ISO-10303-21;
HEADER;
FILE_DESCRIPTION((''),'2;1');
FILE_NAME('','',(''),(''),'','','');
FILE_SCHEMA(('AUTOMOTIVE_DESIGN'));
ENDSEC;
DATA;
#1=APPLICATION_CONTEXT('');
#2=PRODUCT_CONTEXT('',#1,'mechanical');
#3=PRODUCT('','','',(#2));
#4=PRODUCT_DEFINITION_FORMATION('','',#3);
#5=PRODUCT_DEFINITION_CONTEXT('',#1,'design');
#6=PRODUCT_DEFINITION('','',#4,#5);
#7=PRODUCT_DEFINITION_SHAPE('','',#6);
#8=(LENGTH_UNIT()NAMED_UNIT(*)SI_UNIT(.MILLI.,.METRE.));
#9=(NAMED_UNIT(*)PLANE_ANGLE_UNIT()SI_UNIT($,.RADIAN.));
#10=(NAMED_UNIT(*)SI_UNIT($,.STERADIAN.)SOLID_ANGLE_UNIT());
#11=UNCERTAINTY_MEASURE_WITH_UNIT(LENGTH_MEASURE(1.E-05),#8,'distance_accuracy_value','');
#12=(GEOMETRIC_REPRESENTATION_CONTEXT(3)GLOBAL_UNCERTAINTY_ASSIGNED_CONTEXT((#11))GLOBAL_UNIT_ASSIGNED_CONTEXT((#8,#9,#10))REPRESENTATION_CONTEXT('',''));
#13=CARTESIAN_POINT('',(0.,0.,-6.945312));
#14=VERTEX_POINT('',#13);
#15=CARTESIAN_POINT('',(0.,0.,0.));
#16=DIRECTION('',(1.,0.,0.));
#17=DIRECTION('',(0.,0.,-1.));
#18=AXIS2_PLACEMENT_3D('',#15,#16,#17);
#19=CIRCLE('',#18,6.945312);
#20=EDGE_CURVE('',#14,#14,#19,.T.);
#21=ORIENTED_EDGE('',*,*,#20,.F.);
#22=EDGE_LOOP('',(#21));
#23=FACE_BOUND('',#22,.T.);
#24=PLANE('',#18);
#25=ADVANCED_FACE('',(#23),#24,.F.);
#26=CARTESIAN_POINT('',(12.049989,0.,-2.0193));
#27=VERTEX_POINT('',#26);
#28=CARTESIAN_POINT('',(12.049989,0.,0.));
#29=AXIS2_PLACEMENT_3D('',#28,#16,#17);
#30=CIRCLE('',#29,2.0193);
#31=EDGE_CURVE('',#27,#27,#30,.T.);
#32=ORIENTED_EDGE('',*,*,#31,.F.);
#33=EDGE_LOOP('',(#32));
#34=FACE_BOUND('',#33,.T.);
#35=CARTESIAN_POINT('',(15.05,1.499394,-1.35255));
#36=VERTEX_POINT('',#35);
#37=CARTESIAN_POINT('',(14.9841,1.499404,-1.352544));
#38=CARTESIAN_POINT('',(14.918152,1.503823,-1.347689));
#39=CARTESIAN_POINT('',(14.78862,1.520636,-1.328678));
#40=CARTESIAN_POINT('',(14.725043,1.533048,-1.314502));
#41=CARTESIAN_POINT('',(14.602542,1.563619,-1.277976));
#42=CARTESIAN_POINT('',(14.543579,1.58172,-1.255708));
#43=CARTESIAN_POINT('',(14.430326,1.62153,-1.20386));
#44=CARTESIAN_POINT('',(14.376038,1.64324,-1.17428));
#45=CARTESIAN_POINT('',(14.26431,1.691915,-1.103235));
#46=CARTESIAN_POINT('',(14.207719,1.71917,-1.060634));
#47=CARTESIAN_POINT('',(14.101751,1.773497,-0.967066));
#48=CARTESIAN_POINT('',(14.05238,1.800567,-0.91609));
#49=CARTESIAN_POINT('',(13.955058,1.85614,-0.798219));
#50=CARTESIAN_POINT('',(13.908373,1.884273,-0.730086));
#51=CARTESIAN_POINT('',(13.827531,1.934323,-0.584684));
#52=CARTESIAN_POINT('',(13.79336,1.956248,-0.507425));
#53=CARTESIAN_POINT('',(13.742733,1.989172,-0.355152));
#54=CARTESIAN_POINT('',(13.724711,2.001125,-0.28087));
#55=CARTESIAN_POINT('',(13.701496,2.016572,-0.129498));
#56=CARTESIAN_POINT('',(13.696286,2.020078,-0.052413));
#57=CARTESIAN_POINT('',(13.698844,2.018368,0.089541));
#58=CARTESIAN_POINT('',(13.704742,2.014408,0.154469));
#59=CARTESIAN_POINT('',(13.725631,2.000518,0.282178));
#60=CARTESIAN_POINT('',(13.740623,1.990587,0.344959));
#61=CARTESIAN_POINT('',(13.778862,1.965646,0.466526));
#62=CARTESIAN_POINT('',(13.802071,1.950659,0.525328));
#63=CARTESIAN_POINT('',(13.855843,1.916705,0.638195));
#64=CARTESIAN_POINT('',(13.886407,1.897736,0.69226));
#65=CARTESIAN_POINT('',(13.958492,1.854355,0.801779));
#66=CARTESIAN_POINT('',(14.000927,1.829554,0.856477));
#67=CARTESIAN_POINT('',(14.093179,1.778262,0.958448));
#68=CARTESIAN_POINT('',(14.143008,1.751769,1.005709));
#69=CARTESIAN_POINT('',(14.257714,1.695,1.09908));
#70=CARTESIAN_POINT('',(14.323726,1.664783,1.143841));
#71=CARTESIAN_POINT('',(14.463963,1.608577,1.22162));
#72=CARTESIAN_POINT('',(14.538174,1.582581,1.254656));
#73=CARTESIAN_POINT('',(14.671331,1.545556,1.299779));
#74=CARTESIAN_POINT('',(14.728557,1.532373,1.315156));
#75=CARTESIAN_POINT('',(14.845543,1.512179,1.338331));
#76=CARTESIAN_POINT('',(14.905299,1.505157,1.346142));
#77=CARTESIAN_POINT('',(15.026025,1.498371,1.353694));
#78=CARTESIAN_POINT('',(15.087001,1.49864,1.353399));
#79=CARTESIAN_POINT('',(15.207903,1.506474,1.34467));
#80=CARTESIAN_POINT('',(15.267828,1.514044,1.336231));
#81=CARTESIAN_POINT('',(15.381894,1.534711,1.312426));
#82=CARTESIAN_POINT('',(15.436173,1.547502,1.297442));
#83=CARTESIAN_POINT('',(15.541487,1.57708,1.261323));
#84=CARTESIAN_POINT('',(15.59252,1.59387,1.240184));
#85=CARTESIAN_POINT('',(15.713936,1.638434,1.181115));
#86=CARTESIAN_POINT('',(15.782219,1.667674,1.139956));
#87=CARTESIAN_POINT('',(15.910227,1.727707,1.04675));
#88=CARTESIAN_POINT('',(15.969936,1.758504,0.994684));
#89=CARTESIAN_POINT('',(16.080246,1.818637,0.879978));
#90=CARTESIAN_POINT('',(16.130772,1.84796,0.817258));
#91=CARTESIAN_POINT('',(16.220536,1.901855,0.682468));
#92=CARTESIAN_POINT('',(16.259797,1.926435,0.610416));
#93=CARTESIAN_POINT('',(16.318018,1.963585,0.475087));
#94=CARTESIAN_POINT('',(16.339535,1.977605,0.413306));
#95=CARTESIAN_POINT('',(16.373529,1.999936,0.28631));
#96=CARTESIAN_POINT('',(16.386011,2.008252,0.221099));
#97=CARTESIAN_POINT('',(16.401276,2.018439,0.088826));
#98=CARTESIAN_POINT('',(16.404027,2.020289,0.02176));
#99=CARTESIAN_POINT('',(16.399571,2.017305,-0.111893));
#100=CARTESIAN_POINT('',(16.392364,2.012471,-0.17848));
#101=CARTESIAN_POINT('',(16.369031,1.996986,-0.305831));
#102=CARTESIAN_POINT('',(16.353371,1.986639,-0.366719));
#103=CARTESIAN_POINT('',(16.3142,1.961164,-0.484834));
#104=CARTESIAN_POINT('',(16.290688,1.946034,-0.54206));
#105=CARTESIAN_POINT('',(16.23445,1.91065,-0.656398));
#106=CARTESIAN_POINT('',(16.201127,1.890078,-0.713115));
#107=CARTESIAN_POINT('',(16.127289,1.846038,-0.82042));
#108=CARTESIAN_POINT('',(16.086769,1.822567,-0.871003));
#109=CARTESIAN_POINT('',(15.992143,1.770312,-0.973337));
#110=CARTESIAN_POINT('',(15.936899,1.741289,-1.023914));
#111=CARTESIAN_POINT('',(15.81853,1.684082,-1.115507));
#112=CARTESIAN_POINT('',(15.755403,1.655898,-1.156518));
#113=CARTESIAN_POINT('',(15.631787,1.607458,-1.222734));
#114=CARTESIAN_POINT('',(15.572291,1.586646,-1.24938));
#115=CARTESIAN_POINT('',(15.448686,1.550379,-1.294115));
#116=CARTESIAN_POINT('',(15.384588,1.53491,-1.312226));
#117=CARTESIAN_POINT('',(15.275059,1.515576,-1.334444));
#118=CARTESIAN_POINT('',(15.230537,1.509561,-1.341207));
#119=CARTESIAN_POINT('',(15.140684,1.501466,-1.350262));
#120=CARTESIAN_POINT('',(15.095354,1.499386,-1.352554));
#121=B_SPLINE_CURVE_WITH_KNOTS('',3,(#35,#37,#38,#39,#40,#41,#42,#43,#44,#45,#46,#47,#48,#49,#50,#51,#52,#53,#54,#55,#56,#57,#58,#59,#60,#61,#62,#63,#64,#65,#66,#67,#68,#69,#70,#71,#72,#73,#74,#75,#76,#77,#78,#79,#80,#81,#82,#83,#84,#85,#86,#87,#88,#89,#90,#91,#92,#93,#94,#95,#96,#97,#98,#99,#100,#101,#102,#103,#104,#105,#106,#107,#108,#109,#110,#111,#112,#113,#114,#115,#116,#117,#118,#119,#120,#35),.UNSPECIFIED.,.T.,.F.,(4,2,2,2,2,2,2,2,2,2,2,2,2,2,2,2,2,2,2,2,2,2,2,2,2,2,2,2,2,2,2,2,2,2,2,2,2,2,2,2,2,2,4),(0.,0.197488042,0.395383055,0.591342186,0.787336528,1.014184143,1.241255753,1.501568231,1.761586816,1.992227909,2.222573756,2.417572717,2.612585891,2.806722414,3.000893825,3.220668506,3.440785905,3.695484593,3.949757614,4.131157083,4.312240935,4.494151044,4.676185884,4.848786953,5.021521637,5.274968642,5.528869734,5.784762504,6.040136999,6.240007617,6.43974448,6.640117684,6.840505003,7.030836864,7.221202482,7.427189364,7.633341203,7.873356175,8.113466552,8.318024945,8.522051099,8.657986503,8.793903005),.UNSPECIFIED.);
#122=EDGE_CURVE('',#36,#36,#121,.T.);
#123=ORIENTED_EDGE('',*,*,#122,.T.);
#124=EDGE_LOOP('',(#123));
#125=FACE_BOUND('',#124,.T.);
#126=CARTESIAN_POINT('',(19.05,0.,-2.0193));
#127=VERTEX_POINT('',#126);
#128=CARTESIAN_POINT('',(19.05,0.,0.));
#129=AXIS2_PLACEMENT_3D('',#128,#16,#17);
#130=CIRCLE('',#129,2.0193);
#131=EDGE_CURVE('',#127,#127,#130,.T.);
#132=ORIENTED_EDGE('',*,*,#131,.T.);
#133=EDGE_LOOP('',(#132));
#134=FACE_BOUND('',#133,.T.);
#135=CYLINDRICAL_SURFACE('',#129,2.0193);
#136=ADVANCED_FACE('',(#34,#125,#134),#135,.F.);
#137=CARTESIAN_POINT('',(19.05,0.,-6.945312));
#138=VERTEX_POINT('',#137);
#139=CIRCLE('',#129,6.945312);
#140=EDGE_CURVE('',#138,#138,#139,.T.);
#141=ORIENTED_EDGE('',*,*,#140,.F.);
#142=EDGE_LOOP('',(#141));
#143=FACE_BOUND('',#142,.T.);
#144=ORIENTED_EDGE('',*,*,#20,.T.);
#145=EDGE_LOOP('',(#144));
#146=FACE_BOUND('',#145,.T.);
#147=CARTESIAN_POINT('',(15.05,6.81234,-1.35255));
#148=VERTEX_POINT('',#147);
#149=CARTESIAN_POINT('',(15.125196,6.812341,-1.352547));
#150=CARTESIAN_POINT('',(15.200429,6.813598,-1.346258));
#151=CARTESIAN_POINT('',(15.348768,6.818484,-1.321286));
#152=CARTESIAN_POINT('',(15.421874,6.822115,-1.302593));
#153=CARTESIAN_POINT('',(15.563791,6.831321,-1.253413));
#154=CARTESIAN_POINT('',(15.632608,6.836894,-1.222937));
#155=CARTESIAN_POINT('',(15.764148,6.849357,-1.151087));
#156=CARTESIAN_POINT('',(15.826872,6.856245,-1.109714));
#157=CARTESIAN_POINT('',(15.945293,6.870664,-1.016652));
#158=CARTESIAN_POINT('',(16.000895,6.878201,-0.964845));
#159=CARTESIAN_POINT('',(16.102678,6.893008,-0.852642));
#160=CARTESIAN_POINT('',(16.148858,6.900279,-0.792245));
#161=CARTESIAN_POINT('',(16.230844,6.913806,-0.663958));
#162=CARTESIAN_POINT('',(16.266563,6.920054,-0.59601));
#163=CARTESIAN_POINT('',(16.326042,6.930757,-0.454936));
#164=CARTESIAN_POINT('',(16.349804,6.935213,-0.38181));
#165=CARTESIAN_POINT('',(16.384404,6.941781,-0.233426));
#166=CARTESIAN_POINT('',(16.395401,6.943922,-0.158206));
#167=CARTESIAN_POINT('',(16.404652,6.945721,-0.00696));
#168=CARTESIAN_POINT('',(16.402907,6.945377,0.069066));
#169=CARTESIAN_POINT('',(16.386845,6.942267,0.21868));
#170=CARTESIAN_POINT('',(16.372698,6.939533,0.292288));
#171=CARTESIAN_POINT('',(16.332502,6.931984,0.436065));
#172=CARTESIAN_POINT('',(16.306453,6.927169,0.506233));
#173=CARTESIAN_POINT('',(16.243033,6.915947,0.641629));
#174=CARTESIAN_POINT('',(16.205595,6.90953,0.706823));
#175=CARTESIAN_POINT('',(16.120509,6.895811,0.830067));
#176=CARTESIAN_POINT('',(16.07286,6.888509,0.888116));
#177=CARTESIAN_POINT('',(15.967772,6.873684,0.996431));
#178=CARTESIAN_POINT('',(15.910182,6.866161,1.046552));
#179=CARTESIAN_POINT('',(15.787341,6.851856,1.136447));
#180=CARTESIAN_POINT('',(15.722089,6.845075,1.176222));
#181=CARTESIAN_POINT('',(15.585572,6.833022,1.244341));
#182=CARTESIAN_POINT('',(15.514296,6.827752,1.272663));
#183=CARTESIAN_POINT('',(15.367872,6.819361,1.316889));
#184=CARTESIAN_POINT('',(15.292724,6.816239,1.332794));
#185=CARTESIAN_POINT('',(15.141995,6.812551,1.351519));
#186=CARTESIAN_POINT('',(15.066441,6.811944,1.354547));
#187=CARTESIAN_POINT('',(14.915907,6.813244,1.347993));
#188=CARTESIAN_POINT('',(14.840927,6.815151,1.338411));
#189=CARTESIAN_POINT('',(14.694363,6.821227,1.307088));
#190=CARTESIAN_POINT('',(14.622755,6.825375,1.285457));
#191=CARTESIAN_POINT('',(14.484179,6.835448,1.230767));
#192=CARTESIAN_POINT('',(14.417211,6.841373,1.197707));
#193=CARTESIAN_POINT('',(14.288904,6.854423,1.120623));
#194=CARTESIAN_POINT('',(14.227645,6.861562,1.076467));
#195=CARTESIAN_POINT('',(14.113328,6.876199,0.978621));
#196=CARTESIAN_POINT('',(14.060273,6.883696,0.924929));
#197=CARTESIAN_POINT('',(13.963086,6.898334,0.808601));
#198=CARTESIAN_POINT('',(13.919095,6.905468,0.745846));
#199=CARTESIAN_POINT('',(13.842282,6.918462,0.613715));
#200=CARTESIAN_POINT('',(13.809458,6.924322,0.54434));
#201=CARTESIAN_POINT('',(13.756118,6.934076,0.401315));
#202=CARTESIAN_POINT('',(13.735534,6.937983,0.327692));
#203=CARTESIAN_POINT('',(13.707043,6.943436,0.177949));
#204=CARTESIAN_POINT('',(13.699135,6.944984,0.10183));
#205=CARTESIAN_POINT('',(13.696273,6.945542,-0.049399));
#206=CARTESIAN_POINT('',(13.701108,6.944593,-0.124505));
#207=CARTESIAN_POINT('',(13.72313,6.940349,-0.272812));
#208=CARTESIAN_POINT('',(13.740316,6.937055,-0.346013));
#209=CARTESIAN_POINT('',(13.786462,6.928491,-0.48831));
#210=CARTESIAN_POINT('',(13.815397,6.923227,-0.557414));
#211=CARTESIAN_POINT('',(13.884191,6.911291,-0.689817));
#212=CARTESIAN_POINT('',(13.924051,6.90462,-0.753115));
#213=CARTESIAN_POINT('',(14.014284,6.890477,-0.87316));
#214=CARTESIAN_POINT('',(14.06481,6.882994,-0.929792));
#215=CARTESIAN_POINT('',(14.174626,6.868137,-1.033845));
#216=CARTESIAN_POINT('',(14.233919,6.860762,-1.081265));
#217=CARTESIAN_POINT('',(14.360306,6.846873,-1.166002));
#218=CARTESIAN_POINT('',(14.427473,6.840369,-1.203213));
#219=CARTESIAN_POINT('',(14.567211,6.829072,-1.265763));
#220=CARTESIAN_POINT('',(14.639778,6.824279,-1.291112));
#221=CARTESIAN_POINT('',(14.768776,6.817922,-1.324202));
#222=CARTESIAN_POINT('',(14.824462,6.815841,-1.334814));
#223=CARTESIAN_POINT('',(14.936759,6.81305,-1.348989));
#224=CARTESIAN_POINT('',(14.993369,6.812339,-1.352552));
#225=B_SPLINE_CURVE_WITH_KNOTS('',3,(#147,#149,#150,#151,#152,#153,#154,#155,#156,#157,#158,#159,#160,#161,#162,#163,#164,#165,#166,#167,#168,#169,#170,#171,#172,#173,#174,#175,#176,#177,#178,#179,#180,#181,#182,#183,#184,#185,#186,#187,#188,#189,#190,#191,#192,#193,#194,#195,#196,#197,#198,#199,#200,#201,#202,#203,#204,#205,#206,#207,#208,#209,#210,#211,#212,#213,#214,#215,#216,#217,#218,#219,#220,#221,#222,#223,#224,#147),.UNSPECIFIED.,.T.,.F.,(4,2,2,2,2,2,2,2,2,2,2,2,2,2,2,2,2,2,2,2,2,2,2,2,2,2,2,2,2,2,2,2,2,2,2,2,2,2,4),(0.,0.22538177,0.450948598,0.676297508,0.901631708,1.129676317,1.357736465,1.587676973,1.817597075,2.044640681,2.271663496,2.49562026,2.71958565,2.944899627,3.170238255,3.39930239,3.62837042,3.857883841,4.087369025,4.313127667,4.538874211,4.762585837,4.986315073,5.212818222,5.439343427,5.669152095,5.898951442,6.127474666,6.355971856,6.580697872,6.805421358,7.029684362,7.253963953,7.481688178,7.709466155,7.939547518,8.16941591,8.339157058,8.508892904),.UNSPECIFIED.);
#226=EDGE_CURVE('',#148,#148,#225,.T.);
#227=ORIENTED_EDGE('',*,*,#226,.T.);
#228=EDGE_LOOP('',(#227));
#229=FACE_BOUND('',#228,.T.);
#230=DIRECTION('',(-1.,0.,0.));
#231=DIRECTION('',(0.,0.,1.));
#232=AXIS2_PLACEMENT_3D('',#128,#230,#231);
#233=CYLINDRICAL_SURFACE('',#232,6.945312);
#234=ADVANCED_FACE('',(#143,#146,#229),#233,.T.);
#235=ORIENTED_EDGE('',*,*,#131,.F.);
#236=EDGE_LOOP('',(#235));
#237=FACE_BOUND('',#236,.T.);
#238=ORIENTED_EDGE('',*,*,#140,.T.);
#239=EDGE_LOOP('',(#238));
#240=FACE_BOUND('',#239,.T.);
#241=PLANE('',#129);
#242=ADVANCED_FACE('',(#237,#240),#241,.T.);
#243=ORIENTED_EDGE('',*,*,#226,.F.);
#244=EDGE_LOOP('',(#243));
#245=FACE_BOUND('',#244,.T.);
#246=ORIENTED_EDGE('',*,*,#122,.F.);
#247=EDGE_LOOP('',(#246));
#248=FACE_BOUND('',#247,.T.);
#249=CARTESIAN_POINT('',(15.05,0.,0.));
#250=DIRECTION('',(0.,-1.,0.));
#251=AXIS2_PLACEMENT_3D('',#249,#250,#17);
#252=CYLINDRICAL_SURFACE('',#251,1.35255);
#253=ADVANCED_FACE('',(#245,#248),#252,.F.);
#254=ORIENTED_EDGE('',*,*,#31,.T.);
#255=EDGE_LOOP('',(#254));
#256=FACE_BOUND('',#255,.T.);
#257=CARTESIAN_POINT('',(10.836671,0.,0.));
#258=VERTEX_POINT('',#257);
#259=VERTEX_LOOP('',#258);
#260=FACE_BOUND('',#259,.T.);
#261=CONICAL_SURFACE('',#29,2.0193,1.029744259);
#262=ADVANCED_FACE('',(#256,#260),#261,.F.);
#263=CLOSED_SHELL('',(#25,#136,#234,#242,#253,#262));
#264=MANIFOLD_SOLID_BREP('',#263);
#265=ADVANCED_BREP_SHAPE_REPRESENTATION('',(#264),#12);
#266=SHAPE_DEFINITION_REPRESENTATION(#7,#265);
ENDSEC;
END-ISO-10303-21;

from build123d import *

# Parameters (mm, degrees)
SKETCH1_R                       = 6.9453125
BOSS_EXTRUDE1_DEPTH             = 19.05
F_21_0_159_DIAMETER_HOLE1_D     = 4.0386
F_21_0_159_DIAMETER_HOLE1_DEPTH = 7.0000114
F_21_0_159_DIAMETER_HOLE1_TIP   = 1.213317848
SKETCH5_W                       = 1.35255
SKETCH5_H                       = 6.9453125


with BuildPart() as part:
    # Sketch1 → Boss-Extrude1 (new body)
    with BuildSketch(Plane(origin=(0, 0, 0), x_dir=(0, 0, -1), z_dir=(1, 0, 0))):
        with Locations(Location((0, 0, 0), (0, 0, 180))):
            Circle(SKETCH1_R)
    extrude(amount=BOSS_EXTRUDE1_DEPTH)

    # #21 (0.159) Diameter Hole1
    with Locations(Plane(origin=(19.05, 0, 0), x_dir=(0, 0, -1), z_dir=(1, 0, 0))):
        with Locations((0, 0)):
            Hole(F_21_0_159_DIAMETER_HOLE1_D / 2, depth=F_21_0_159_DIAMETER_HOLE1_DEPTH)
            with Locations((0, 0, -(F_21_0_159_DIAMETER_HOLE1_DEPTH + F_21_0_159_DIAMETER_HOLE1_TIP / 2))):  # 118° drill point
                Cone(0, F_21_0_159_DIAMETER_HOLE1_D / 2, F_21_0_159_DIAMETER_HOLE1_TIP, mode=Mode.SUBTRACT)

    # Sketch5 → #6-32 Tapped Hole1 (revolve, cut)
    with BuildSketch(Plane(origin=(15.05, 0, 0), x_dir=(0, 0, -1), z_dir=(1, 0, 0))):
        with Locations((0.676275, 3.47265625)):
            Rectangle(SKETCH5_W, SKETCH5_H)
    revolve(axis=Axis((15.05, -6.35, 0), (0, 1, 0)), mode=Mode.SUBTRACT)


solid = part.part
